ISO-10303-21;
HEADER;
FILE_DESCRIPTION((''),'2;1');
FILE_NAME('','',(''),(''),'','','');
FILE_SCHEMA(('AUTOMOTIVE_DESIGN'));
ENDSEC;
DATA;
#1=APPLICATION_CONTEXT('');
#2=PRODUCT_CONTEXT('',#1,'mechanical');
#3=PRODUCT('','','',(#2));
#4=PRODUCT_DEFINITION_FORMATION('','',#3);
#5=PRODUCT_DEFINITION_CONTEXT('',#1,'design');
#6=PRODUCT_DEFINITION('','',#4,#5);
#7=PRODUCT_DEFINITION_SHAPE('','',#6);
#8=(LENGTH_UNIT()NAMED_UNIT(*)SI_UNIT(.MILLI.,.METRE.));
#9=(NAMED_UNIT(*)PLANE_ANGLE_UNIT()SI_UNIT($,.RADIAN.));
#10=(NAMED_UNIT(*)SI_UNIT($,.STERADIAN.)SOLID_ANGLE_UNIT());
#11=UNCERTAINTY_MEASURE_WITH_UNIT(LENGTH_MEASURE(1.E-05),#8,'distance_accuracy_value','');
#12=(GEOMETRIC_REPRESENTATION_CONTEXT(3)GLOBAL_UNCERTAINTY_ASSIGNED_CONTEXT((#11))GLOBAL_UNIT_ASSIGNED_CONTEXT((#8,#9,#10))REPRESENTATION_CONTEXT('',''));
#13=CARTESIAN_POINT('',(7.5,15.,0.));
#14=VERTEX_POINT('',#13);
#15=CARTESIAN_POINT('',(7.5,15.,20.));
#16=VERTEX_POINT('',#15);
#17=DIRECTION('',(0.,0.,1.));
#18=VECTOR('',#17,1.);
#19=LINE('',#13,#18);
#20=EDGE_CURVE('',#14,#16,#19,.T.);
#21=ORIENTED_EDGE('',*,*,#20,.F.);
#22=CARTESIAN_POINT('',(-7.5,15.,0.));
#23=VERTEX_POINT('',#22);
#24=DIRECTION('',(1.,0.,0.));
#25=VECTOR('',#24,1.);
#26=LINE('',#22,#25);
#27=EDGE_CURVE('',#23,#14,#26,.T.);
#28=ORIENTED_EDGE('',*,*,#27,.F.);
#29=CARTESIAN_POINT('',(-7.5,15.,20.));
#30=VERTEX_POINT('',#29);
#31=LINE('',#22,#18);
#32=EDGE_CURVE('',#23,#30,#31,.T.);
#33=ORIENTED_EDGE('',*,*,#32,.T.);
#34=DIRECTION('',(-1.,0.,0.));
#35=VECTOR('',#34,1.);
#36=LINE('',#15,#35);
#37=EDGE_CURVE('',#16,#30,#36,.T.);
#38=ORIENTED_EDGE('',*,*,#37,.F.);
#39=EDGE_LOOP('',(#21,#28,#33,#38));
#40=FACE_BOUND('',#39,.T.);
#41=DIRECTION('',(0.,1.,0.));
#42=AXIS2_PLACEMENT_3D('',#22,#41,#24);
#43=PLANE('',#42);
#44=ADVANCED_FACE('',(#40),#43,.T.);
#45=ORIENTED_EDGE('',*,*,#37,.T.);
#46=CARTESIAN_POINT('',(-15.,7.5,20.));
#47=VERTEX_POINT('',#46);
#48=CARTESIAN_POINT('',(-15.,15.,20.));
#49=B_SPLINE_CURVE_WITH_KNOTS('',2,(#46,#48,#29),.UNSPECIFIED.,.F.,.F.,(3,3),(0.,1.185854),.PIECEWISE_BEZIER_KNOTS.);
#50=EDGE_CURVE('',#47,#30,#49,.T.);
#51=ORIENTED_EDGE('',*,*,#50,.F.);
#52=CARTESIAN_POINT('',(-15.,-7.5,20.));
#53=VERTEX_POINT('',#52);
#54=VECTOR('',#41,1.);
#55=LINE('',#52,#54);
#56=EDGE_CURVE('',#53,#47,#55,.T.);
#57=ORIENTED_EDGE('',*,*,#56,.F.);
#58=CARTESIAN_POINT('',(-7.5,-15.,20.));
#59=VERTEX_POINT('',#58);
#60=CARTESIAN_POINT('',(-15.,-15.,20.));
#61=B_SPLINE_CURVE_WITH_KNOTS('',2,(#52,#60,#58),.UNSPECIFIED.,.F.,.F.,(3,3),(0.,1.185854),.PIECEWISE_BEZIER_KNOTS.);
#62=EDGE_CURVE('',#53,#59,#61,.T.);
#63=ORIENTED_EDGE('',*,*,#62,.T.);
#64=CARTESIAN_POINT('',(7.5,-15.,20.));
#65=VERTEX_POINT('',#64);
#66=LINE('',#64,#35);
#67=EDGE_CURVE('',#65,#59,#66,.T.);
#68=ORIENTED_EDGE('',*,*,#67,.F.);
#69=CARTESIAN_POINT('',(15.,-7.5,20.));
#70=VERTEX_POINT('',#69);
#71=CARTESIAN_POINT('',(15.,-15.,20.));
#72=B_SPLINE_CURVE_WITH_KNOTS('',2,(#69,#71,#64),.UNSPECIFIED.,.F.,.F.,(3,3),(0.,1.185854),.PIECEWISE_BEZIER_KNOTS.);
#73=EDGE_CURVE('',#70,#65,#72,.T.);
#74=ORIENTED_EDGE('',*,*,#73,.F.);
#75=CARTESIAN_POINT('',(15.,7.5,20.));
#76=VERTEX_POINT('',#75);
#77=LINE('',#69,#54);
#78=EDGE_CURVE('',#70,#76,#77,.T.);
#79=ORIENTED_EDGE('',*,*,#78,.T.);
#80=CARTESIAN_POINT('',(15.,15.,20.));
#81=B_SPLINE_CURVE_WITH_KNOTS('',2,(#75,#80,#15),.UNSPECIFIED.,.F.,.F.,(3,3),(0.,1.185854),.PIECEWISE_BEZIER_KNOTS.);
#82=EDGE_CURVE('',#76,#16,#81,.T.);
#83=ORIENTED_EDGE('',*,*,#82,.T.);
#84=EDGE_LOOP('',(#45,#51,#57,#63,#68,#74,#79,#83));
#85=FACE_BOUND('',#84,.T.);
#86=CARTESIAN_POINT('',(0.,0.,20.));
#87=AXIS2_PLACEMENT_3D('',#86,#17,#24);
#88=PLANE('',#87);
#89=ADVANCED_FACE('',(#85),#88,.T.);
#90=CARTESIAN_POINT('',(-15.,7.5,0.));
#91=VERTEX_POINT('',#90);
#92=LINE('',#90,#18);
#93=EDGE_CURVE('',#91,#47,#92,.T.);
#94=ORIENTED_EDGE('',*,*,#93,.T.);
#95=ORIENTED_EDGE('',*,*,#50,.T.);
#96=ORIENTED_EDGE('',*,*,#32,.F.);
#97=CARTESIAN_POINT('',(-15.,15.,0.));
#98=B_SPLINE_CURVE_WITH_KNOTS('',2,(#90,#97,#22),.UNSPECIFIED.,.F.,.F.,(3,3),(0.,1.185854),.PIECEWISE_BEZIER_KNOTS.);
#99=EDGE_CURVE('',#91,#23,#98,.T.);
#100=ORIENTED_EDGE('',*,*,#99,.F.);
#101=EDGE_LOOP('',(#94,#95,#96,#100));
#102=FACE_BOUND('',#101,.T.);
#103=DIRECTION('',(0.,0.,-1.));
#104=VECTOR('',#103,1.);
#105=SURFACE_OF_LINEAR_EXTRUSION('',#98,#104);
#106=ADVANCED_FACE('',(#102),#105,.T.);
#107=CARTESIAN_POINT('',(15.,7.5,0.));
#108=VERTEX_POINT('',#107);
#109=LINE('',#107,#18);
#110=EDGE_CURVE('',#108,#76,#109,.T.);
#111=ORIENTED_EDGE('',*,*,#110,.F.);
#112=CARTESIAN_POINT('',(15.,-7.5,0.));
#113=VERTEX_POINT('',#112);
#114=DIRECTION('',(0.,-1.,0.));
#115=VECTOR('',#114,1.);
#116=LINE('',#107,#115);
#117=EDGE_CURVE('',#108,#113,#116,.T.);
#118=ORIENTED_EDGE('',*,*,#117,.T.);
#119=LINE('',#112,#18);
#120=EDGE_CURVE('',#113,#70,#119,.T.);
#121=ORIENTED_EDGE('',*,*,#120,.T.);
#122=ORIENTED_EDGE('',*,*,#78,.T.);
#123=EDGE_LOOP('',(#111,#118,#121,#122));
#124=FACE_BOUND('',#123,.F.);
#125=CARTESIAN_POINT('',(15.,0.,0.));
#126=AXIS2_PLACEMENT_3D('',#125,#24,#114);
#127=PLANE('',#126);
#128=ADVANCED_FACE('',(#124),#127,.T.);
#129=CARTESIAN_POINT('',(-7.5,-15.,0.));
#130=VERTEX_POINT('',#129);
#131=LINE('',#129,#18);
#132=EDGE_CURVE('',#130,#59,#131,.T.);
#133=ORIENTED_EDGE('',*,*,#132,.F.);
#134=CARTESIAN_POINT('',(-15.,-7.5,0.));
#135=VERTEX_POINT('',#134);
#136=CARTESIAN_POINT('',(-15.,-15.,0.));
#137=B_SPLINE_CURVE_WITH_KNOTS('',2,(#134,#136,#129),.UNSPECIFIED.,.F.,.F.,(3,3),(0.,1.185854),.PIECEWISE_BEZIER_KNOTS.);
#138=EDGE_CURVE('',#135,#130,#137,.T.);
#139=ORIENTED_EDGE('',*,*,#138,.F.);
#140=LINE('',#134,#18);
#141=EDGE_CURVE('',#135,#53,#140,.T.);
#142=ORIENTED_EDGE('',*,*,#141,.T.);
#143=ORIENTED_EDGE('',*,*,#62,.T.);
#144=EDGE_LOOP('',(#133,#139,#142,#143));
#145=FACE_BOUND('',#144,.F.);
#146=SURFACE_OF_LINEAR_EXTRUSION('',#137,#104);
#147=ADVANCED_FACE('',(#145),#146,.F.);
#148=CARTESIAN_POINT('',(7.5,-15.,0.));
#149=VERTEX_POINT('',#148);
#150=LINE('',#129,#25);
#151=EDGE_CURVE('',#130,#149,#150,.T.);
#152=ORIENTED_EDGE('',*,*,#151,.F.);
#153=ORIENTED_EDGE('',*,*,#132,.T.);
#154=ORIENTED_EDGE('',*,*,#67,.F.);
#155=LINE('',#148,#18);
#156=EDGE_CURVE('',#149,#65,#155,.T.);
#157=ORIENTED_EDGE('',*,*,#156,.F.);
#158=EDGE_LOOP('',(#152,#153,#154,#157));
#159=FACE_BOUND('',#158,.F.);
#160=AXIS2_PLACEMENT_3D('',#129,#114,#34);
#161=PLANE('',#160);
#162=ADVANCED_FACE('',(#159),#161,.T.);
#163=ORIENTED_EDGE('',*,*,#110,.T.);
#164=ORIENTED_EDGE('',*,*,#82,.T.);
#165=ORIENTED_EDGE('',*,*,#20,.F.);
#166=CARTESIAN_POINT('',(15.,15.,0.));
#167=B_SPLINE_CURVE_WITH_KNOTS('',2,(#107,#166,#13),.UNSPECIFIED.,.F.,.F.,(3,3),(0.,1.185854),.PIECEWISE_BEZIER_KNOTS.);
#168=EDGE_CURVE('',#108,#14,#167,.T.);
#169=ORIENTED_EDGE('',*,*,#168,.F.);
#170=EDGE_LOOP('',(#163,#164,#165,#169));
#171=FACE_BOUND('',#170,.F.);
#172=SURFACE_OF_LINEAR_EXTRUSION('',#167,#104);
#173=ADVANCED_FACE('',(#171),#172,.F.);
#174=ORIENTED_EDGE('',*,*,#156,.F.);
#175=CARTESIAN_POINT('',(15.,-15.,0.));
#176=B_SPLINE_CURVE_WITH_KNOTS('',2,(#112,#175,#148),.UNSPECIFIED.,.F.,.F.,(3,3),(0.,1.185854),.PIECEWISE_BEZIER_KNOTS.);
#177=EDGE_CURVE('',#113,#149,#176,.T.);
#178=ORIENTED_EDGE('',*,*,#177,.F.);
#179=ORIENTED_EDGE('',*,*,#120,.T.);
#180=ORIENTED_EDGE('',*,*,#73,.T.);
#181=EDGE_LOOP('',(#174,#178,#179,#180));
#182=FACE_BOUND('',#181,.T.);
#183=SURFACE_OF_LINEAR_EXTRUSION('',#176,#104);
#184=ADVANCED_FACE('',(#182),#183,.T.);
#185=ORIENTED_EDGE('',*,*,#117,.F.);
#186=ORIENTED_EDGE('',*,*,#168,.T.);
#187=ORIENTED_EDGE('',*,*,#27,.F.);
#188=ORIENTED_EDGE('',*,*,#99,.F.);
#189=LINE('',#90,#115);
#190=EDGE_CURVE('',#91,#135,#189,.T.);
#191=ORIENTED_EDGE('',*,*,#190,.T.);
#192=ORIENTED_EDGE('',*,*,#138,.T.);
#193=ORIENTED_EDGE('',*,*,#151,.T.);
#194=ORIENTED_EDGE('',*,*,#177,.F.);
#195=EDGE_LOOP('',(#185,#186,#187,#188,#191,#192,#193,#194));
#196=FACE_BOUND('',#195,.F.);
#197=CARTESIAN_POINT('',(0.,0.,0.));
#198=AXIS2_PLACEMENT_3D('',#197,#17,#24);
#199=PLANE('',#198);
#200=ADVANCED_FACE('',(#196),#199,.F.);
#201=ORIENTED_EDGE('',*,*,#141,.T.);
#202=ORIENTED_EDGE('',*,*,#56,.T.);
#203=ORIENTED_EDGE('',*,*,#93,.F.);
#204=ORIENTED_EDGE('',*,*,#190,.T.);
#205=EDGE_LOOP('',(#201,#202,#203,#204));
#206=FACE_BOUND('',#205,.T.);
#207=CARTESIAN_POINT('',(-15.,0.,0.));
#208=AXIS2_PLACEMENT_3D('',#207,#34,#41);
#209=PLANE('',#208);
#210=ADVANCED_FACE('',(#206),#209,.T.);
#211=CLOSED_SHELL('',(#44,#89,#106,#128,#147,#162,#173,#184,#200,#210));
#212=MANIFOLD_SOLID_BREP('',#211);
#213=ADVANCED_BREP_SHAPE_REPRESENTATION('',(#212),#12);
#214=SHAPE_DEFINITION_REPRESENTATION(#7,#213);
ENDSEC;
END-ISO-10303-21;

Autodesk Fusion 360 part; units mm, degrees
sketch "profile" plane through (0, 0, 0) normal (0, 0, 1) x (1, 0, 0)
  line L0 (15, -15) -> (-15, -15)
  line L1 (-15, -15) -> (-15, 15)
  line L2 (-15, 15) -> (15, 15)
  line L3 (15, 15) -> (15, -15)
  line L4 (15, -15) -> (-15, 15) construction
  line L5 (-15, -15) -> (15, 15) construction
  spline S0 degree 2 poles (-15, 7.5) (-15, 15) (-7.5, 15) knots 0 0 0 1.185854 1.185854 1.185854
  line L6 (-15, 0) -> (-15, 7.5)
  line L7 (-7.5, 15) -> (0, 15)
  line L8 (0, 15) -> (0, 0)
  line L9 (-15, 0) -> (0, 0)
  dimension "d1" = 30
  dimension "d4" = 7.5
extrude "Extrude1" add sketch "profile" along normal blind 20 contours L1 L2 S0 L6 L7 L8 L9
mirror "Mirror1" about plane through (0, 0, 0) normal (1, 0, 0) of bodies 1 merged
mirror "Mirror2" about plane through (0, 0, 0) normal (0, 1, 0) of bodies 1 merged
equation "d4 = d1 / 4"
